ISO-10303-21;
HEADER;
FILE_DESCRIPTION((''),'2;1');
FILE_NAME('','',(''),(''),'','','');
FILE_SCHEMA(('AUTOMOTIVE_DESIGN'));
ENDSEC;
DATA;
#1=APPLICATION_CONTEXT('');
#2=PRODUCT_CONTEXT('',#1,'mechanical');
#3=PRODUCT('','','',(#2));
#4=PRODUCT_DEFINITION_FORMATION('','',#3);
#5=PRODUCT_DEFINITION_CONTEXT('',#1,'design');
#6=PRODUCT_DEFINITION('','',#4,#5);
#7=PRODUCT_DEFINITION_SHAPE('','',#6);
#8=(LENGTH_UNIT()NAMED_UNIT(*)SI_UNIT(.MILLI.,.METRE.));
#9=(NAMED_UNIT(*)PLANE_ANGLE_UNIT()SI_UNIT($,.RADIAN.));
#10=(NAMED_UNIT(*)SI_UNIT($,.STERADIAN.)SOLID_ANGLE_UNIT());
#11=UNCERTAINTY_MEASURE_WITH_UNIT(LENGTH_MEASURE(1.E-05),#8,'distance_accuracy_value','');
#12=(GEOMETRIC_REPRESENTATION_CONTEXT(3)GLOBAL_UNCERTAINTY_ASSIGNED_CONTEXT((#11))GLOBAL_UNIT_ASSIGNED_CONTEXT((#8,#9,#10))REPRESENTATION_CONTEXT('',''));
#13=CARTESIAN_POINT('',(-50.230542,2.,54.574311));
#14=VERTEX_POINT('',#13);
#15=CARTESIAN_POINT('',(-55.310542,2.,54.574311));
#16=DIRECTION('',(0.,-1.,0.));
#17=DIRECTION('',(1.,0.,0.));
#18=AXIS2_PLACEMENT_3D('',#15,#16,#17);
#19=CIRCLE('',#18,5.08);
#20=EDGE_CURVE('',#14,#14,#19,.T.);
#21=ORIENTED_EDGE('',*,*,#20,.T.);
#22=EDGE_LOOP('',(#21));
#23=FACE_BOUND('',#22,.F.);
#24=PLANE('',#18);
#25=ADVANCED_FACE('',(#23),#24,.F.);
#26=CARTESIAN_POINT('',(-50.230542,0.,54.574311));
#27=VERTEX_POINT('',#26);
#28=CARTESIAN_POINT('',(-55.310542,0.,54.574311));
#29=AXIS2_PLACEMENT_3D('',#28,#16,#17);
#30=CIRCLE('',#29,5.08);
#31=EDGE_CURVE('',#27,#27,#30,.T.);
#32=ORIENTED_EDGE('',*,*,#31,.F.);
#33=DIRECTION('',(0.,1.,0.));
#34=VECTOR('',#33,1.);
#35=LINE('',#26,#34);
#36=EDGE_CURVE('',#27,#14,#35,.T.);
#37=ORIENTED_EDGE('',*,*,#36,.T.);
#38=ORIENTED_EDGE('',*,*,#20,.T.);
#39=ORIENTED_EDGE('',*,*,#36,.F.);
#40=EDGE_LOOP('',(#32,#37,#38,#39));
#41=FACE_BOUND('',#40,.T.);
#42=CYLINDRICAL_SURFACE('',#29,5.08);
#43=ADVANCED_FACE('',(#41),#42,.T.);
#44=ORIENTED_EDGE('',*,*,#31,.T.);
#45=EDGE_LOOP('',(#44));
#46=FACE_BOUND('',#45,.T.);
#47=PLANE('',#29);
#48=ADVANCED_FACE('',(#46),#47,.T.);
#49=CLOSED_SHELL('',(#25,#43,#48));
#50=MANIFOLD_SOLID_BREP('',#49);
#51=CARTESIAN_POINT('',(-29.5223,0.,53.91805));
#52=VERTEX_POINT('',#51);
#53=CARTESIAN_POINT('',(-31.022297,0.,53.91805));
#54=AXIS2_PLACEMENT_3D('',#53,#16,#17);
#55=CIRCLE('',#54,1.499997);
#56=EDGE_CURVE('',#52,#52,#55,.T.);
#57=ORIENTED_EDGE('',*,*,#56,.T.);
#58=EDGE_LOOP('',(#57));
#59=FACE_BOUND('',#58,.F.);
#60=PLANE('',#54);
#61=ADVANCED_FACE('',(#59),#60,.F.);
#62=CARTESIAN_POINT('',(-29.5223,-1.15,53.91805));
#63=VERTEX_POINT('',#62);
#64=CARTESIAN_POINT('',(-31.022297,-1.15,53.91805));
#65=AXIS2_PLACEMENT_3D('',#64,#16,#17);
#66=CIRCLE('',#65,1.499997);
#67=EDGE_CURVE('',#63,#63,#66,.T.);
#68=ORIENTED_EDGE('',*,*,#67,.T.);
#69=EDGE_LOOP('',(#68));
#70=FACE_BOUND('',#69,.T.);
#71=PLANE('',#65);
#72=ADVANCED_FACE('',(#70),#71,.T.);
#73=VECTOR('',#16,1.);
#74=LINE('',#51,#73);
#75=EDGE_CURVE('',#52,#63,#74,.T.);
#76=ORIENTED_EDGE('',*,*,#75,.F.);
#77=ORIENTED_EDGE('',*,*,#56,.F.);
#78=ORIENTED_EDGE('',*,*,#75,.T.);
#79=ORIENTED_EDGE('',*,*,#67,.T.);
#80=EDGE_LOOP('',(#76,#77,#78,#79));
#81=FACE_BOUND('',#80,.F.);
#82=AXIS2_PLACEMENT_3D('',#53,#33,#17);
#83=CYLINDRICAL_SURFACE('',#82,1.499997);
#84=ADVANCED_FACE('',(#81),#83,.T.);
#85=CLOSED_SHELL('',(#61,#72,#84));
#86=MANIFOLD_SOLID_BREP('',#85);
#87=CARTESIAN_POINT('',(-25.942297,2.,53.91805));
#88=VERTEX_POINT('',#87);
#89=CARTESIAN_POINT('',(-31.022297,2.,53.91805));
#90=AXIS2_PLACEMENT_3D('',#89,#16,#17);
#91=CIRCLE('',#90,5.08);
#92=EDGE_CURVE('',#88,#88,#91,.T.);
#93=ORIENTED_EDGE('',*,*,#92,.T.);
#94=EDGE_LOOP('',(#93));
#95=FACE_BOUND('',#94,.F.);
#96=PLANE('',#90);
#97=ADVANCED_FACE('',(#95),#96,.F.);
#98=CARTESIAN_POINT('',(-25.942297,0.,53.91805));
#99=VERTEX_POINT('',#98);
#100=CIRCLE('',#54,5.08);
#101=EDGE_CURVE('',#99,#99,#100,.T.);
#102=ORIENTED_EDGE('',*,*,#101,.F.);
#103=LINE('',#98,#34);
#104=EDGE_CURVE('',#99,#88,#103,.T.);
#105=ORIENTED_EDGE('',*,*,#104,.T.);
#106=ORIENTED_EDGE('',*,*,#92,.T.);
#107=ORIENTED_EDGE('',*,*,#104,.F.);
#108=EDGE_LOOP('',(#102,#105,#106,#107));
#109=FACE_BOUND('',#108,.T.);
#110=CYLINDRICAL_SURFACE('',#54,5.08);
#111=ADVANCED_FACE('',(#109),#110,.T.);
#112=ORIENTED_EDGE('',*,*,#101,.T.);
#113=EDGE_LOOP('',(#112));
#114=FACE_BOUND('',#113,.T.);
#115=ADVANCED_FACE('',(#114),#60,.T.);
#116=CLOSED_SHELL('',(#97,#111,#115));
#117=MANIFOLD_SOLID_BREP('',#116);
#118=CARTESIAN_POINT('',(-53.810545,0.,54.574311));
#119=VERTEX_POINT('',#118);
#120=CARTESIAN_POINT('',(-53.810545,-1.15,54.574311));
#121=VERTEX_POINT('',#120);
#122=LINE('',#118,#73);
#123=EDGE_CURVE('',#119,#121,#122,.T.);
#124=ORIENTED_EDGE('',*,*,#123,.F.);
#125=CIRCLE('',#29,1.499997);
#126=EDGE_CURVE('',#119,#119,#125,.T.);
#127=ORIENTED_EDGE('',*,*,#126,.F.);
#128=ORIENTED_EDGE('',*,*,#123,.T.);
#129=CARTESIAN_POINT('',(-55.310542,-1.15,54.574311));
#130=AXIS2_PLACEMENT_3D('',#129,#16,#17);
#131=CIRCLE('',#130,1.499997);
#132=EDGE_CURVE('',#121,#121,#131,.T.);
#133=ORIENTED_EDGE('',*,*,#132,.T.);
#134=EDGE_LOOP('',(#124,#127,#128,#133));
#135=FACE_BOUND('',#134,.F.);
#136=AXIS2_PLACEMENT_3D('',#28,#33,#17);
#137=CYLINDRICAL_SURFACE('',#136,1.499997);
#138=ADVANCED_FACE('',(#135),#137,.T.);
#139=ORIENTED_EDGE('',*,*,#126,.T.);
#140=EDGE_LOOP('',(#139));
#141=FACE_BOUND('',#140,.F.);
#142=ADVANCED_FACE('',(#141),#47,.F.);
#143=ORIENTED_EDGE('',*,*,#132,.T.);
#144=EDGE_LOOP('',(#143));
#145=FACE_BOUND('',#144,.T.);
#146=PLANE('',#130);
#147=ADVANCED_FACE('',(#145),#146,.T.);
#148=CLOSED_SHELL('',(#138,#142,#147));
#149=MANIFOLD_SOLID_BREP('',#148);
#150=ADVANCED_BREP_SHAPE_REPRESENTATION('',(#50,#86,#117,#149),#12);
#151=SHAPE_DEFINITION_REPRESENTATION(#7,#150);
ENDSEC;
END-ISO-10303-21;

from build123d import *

# Parameters (mm, degrees)
F0_R     = 5.08
F1_DEPTH = 2
F3_R     = 1.499997
F2_R     = 1.499997
F4_DEPTH = 1.15


with BuildPart() as f1:
    # F0 (on Front) → F1 (new body)
    with BuildSketch(Plane.XZ):
        with Locations((-31.022297, 53.91805)):
            Circle(F0_R)
        with Locations((-55.310542, 54.574311)):
            Circle(F0_R)
    extrude(amount=-F1_DEPTH)


with BuildPart() as f4:
    # F3 (on face) + F2 (on face) → F4 (new body)
    with BuildSketch(Plane.XZ):
        with Locations((-31.022297, 53.91805)):
            Circle(F3_R)
    with BuildSketch(Plane.XZ):
        with Locations((-55.310542, 54.574311)):
            Circle(F2_R)
    extrude(amount=F4_DEPTH)


solid = Compound([f1.part, f4.part])
